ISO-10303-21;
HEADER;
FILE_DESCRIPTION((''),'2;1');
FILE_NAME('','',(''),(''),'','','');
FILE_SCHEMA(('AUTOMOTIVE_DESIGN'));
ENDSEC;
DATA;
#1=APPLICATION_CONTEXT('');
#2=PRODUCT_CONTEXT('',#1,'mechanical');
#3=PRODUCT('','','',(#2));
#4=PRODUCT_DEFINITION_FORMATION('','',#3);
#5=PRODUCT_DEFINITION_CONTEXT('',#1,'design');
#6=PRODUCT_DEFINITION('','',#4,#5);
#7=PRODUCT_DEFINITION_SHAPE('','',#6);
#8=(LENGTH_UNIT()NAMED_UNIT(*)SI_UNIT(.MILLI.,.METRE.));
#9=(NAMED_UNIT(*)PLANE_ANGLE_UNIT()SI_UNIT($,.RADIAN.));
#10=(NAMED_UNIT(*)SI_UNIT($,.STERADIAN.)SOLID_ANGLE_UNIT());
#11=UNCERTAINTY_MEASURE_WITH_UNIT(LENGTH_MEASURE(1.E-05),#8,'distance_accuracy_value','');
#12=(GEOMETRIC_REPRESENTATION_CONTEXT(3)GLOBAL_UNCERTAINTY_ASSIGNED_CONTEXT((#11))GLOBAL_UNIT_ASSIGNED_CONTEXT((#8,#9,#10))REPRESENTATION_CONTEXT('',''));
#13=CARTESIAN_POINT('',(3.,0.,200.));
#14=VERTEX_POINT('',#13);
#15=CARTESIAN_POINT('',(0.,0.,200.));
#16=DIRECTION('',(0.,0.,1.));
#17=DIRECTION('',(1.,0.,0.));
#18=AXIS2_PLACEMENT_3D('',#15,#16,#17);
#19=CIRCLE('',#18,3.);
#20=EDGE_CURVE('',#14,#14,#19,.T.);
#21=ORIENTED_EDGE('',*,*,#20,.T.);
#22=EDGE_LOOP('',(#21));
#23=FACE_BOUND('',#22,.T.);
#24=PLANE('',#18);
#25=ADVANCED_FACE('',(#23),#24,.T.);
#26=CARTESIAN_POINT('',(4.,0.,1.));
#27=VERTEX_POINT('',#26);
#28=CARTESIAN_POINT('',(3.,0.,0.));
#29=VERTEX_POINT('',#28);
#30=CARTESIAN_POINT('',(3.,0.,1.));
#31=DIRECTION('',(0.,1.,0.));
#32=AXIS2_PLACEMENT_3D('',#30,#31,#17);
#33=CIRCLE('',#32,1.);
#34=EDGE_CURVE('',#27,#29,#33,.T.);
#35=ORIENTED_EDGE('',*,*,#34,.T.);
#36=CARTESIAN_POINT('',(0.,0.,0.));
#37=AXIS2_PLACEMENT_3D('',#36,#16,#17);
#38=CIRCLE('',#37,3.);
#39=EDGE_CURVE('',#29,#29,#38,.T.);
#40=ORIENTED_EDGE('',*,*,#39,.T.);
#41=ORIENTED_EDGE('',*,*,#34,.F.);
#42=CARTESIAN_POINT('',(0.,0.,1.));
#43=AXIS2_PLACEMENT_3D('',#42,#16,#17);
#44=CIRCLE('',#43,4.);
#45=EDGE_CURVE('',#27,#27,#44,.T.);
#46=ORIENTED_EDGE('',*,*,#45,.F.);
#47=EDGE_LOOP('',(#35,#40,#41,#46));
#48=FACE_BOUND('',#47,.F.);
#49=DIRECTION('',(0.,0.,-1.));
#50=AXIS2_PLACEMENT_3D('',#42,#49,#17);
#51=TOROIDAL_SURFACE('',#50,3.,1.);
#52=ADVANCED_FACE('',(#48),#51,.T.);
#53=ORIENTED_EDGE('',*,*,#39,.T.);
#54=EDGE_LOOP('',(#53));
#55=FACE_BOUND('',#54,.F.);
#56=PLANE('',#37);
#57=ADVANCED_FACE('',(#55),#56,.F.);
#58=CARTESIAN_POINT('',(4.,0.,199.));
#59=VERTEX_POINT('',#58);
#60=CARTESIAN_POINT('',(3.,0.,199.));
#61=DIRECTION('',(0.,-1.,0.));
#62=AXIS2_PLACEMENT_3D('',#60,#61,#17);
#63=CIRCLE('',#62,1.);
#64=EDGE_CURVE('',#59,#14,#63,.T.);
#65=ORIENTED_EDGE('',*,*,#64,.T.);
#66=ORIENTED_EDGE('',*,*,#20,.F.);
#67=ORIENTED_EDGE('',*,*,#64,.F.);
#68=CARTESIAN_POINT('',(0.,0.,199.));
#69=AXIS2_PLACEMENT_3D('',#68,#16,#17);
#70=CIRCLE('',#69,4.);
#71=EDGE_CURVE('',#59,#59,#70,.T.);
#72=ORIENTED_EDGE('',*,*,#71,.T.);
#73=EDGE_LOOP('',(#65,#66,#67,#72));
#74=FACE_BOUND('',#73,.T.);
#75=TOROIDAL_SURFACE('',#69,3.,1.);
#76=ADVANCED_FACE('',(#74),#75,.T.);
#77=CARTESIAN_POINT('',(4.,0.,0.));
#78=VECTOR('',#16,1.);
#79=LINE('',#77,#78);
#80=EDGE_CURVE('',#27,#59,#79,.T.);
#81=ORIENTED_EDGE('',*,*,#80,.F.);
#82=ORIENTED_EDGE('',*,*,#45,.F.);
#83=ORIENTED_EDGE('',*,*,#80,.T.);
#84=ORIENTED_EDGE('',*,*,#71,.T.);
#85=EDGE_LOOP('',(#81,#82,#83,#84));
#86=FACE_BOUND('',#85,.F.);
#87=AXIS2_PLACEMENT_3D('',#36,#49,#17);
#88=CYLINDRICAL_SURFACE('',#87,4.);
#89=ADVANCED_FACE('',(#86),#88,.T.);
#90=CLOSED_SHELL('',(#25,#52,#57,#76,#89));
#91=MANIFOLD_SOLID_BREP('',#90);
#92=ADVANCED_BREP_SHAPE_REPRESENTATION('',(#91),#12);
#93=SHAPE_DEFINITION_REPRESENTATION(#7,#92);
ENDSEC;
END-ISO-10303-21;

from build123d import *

# Parameters (mm, degrees)
SKIZZE1_R                       = 4
AUFSATZ_LINEAR_AUSTRAGEN1_DEPTH = 200
VERRUNDUNG1_R                   = 1


with BuildPart() as part:
    # Skizze1 → Aufsatz-Linear austragen1 (new body)
    with BuildSketch(Plane.XY):
        Circle(SKIZZE1_R)
    extrude(amount=AUFSATZ_LINEAR_AUSTRAGEN1_DEPTH)

    # Verrundung1
    verrundung1_edges = [part.edges().sort_by_distance(p)[0] for p in [
        (-4, 0, 0),
        (-4, 0, 200),
    ]]
    fillet(verrundung1_edges, radius=VERRUNDUNG1_R)


solid = part.part
